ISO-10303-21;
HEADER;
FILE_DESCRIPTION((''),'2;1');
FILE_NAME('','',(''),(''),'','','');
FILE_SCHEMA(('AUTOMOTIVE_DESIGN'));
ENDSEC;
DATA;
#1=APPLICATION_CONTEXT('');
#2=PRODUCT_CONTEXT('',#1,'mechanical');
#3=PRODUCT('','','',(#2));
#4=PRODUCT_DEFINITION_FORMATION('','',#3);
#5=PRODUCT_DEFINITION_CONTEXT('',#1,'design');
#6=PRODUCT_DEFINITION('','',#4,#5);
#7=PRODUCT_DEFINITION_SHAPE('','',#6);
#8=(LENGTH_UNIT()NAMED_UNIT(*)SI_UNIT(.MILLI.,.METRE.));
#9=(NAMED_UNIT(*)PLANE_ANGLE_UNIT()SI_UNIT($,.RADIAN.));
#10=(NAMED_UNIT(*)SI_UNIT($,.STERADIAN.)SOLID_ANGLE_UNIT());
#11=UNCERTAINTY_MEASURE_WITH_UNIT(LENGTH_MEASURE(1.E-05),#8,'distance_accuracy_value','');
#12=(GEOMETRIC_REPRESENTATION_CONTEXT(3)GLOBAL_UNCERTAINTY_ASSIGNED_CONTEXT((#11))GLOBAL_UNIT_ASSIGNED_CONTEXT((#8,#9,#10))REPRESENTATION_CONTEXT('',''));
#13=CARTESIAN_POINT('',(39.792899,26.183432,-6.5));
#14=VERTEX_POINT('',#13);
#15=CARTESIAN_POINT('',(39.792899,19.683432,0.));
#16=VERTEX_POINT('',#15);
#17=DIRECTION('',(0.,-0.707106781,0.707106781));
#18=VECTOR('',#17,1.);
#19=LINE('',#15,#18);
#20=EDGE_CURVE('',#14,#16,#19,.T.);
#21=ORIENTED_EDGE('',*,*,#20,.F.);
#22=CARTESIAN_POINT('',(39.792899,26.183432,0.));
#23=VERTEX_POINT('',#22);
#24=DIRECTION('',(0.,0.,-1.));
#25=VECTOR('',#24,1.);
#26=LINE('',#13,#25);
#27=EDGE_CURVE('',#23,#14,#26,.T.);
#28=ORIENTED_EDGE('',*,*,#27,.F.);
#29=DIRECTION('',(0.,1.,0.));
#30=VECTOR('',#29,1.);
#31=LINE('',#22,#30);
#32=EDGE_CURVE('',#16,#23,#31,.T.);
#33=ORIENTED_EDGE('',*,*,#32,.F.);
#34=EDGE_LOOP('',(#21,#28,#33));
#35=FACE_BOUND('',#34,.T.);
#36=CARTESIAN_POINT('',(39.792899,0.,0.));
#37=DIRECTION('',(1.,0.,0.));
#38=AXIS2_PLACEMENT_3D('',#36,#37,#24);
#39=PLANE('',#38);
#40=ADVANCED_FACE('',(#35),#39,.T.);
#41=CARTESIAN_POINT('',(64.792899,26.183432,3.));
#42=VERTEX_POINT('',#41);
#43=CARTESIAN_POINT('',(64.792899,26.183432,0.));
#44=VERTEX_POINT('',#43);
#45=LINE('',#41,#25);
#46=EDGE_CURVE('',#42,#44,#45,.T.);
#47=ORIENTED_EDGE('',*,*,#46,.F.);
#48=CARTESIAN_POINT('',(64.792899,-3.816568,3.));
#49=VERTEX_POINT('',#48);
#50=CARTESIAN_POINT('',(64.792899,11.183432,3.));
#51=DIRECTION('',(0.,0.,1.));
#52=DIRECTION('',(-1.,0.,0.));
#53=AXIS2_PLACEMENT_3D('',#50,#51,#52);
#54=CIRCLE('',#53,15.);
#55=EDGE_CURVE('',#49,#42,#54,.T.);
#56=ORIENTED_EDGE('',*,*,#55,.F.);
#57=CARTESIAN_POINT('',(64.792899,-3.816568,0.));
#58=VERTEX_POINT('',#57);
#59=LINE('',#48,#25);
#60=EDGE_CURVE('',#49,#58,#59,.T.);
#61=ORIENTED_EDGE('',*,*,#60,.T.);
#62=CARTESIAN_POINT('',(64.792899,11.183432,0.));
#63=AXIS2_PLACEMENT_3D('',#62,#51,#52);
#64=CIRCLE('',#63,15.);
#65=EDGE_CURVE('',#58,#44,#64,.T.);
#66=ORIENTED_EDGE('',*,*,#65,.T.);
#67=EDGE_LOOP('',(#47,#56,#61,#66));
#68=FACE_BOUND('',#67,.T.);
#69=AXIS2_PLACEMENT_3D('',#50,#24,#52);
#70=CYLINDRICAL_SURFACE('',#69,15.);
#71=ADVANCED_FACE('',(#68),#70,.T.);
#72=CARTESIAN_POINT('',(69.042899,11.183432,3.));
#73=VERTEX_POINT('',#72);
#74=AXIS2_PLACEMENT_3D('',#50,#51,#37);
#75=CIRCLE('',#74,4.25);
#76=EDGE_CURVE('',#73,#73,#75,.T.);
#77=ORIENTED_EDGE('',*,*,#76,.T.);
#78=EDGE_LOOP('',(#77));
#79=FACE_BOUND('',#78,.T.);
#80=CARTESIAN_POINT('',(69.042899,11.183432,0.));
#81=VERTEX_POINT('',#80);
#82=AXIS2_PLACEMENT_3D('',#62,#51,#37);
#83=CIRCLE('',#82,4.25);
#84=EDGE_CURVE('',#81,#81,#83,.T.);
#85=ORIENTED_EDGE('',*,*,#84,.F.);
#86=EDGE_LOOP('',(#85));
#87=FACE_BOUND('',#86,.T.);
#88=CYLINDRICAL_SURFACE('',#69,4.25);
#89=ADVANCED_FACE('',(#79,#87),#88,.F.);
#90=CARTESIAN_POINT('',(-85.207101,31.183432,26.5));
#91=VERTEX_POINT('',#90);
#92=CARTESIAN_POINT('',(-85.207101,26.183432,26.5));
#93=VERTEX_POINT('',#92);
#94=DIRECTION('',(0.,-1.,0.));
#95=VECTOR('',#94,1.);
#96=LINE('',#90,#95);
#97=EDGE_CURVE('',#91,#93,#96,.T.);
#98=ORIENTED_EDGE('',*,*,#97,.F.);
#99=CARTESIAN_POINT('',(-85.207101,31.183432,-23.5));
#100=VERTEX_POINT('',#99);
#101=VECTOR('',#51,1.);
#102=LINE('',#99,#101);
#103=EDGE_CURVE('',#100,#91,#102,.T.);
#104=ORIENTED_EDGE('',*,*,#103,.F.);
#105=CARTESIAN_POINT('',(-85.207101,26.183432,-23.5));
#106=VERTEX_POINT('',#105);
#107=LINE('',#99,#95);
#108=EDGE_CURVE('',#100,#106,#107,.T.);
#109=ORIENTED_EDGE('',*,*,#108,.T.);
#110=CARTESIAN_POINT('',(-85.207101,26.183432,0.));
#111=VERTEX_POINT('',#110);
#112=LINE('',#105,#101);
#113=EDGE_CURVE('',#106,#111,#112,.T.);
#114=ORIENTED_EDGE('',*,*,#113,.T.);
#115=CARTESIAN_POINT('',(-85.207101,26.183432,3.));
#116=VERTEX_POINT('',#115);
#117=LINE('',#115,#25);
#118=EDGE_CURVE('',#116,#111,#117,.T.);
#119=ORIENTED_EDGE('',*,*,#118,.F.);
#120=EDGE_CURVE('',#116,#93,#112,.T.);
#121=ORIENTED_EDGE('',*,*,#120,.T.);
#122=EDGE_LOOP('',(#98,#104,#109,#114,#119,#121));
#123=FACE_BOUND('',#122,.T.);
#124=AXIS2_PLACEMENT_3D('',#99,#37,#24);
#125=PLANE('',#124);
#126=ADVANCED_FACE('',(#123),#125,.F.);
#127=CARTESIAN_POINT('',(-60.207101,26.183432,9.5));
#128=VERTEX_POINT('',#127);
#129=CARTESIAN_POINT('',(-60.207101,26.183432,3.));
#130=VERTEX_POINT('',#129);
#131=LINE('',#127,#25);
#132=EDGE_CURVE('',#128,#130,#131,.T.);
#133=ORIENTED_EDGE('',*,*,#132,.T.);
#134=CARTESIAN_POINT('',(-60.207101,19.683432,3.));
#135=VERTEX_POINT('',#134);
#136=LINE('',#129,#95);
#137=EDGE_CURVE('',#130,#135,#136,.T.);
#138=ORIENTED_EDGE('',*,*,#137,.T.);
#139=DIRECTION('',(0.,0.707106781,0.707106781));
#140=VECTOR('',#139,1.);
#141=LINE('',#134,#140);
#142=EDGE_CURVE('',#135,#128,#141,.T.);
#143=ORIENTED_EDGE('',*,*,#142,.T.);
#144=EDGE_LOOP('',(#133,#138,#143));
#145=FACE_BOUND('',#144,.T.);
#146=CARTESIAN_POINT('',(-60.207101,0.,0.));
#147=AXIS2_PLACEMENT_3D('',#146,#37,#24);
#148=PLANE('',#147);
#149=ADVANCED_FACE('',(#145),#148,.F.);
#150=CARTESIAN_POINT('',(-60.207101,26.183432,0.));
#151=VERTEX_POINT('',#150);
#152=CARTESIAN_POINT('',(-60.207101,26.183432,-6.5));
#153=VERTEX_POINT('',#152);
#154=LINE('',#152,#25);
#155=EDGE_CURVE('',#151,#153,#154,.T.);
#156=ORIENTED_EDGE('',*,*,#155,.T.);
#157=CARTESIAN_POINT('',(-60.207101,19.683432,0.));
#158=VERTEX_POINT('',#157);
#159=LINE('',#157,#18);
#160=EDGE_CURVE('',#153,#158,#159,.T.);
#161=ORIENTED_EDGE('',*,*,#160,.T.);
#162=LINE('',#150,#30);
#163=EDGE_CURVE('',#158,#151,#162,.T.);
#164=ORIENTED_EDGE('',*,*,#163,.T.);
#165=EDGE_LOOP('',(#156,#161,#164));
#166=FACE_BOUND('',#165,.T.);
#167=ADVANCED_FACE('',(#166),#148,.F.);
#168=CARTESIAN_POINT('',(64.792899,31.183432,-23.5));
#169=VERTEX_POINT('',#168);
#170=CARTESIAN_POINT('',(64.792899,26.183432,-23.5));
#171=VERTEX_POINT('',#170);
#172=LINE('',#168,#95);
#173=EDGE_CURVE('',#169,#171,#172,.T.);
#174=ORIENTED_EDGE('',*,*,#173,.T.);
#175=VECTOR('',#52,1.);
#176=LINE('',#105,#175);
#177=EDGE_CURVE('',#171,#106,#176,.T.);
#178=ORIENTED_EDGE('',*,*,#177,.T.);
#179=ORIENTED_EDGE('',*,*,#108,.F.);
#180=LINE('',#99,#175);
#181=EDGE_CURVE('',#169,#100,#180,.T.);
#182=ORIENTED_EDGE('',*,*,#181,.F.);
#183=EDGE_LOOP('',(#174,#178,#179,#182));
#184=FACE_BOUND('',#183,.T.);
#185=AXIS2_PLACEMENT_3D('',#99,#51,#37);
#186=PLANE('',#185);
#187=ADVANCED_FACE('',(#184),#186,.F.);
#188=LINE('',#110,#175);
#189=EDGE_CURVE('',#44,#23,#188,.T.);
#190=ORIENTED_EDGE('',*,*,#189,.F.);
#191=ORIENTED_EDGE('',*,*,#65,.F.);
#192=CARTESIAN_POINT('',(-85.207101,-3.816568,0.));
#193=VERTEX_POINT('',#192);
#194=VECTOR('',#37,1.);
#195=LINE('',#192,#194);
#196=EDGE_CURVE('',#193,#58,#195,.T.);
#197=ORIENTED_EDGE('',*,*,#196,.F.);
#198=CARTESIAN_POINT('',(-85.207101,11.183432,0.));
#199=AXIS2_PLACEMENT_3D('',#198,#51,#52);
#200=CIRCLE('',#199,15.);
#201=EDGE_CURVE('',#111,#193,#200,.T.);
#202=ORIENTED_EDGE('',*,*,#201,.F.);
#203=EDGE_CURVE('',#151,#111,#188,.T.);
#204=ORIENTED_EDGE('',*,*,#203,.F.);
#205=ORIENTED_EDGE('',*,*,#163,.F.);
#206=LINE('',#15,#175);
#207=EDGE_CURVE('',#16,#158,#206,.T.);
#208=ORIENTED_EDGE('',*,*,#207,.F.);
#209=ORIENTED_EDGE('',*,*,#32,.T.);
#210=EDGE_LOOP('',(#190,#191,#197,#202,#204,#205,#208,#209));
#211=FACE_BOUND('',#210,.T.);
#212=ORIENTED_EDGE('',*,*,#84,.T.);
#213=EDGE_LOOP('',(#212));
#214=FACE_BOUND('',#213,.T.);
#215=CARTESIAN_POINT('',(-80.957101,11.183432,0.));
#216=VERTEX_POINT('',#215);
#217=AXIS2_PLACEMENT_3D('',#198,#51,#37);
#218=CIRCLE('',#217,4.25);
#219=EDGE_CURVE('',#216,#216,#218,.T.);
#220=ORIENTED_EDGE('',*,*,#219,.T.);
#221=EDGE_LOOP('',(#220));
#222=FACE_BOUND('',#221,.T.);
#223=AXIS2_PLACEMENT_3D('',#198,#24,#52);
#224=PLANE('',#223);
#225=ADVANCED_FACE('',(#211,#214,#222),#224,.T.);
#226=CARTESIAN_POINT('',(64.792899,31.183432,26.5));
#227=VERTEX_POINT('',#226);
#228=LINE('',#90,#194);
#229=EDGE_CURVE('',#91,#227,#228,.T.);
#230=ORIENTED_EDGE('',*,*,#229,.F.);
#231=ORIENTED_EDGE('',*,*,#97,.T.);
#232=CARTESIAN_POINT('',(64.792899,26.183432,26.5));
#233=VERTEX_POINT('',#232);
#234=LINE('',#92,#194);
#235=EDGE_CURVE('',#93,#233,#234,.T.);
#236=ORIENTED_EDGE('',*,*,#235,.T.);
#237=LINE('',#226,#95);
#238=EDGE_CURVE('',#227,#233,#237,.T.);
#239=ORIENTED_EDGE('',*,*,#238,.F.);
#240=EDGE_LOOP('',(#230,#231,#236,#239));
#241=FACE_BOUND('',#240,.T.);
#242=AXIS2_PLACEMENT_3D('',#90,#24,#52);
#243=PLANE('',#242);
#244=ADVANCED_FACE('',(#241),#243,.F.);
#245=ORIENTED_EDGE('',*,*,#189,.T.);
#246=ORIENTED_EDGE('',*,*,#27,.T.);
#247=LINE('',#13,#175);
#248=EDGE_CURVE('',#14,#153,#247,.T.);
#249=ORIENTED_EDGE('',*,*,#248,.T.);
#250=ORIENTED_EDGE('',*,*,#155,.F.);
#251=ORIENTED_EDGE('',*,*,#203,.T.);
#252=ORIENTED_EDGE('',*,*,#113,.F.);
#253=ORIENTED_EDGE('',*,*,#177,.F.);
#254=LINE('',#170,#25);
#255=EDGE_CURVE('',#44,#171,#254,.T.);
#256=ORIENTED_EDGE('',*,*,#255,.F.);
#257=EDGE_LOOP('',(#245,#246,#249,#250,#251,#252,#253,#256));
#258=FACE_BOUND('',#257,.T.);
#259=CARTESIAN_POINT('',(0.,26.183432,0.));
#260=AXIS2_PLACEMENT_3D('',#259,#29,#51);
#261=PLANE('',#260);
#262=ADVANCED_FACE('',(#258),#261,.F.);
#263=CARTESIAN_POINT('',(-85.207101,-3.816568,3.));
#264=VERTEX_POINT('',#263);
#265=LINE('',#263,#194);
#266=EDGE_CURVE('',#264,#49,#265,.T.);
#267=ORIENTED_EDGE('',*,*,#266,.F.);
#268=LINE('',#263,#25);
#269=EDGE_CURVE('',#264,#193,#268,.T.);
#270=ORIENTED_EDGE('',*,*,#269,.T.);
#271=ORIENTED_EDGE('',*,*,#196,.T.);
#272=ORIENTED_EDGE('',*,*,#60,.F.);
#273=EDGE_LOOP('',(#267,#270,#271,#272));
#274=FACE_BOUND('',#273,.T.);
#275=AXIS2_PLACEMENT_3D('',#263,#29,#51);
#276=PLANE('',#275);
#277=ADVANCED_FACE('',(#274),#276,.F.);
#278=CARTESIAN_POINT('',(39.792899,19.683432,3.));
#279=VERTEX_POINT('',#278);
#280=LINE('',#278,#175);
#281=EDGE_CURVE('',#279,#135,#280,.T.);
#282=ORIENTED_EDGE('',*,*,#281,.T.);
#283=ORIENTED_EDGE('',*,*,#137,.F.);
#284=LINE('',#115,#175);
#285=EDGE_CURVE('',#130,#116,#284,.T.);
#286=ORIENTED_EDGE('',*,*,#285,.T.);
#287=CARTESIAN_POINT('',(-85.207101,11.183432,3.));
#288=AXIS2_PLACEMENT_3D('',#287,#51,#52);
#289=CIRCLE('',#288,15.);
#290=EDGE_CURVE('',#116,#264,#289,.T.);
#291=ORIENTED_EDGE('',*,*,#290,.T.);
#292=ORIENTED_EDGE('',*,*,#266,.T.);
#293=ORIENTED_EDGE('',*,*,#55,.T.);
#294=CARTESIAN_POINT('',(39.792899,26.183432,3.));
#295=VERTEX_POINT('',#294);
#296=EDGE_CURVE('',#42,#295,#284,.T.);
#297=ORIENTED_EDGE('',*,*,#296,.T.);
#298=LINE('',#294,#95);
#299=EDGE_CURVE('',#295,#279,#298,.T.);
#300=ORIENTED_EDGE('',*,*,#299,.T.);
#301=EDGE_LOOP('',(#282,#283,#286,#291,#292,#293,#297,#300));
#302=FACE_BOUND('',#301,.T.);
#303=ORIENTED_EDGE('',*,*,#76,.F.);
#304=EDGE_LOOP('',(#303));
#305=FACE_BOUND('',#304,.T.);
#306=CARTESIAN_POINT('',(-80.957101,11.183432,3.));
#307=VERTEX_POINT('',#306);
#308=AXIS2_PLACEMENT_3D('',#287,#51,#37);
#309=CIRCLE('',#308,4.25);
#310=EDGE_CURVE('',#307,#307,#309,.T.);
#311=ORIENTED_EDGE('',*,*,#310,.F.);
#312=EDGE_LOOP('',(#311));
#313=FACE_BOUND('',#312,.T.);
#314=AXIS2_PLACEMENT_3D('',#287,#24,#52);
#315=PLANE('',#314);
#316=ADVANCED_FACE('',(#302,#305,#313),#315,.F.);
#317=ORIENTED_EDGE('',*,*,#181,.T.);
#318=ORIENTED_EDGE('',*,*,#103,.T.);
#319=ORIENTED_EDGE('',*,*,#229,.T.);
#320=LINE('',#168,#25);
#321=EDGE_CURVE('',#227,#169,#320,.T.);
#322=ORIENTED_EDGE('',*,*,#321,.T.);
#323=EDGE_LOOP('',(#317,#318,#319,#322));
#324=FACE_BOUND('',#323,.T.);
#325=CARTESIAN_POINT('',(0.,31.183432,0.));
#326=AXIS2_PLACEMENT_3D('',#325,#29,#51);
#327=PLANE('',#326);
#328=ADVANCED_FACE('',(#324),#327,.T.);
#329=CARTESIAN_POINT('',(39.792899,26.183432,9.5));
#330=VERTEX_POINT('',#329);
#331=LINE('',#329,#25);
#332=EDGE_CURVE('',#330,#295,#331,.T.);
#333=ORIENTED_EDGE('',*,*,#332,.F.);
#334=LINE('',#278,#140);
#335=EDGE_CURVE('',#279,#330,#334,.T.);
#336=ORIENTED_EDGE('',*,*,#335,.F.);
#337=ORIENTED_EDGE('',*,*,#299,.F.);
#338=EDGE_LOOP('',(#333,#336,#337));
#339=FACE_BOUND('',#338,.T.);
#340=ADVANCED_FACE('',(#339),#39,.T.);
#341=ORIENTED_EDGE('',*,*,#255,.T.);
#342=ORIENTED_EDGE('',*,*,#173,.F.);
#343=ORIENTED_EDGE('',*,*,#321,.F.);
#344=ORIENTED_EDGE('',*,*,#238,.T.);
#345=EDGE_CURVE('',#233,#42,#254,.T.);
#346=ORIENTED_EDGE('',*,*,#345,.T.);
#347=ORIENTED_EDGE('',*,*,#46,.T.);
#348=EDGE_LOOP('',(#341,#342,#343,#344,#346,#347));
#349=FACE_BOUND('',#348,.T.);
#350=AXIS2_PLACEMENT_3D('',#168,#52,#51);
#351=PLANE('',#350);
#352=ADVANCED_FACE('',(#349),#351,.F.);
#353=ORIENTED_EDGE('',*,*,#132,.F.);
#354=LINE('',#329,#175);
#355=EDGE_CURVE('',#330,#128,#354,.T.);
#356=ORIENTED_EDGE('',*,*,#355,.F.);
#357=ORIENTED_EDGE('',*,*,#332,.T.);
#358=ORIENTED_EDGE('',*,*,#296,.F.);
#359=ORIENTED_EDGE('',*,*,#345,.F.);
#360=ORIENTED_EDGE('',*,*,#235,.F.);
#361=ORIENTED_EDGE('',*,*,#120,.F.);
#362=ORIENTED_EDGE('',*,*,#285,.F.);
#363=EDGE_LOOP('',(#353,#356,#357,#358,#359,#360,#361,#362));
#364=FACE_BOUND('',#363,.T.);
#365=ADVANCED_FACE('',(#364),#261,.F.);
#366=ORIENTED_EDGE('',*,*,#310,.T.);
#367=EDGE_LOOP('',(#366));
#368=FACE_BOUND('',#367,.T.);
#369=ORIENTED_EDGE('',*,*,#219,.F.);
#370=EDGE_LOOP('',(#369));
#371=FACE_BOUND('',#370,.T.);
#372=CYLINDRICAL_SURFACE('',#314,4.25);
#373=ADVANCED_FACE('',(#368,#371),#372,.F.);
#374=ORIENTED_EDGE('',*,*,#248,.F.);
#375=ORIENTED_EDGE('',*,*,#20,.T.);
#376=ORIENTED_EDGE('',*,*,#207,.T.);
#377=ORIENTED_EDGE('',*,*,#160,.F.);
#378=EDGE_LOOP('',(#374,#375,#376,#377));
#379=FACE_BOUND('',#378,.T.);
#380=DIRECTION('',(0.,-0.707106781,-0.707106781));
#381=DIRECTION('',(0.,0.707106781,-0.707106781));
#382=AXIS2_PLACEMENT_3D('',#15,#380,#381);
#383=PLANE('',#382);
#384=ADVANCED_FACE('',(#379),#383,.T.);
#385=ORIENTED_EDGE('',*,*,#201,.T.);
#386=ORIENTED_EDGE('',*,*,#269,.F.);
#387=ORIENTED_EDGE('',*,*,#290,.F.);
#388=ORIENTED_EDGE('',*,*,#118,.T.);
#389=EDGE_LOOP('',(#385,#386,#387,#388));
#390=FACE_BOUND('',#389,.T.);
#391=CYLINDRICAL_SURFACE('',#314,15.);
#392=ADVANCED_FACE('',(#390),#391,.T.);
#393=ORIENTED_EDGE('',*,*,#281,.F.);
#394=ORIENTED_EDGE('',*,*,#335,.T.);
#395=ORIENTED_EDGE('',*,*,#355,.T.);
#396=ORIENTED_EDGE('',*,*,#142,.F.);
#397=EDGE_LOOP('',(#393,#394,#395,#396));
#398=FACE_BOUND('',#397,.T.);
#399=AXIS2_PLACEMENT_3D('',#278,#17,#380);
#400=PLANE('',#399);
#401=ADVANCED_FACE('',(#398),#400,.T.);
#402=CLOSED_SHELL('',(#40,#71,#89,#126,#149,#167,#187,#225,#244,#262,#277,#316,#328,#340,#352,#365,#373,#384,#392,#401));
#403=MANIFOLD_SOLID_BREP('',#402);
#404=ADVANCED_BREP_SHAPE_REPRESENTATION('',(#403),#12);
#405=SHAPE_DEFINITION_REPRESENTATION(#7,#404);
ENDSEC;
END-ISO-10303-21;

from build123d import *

# Parameters (mm, degrees)
ESBO_O1_R                = 4.25
RESSALTO_EXTRUS_O1_DEPTH = 3
ESBO_O2_W                = 150
ESBO_O2_H                = 50
RESSALTO_EXTRUS_O2_DEPTH = 5
RESSALTO_EXTRUS_O3_START = -25
RESSALTO_EXTRUS_O3_DEPTH = 100


with BuildPart() as part:
    # Esboço1 → Ressalto-extrusão1 (new body)
    with BuildSketch(Plane.XY):
        with BuildLine():
            Line((-85.207100592, 26.183431953), (64.792899408, 26.183431953))
            ThreePointArc((64.792899408, 26.183431953), (79.792899408, 11.183431953), (64.792899408, -3.816568047))
            Line((64.792899408, -3.816568047), (-85.207100592, -3.816568047))
            ThreePointArc((-85.207100592, -3.816568047), (-100.207100592, 11.183431953), (-85.207100592, 26.183431953))
        make_face()
        with Locations((-85.207100592, 11.183431953)):
            Circle(ESBO_O1_R, mode=Mode.SUBTRACT)
        with Locations((64.792899408, 11.183431953)):
            Circle(ESBO_O1_R, mode=Mode.SUBTRACT)
    extrude(amount=RESSALTO_EXTRUS_O1_DEPTH)

    # Esboço2 → Ressalto-extrusão2 (add)
    with BuildSketch(Plane(origin=(0, 26.183431953, 0), x_dir=(1, 0, 0), z_dir=(0, 1, 0))):
        with Locations((-10.207100592, -1.5)):
            Rectangle(ESBO_O2_W, ESBO_O2_H)
    extrude(amount=RESSALTO_EXTRUS_O2_DEPTH)

    # Esboço3 → Ressalto-extrusão3 (add)
    with BuildSketch(Plane.ZY.offset(85.207100592).offset(RESSALTO_EXTRUS_O3_START)):
        Polygon((3, 19.683431953), (9.5, 26.183431953), (3, 26.183431953), align=None)
        Polygon((0, 26.183431953), (0, 19.683431953), (-6.5, 26.183431953), align=None)
    extrude(amount=-RESSALTO_EXTRUS_O3_DEPTH)


solid = part.part
